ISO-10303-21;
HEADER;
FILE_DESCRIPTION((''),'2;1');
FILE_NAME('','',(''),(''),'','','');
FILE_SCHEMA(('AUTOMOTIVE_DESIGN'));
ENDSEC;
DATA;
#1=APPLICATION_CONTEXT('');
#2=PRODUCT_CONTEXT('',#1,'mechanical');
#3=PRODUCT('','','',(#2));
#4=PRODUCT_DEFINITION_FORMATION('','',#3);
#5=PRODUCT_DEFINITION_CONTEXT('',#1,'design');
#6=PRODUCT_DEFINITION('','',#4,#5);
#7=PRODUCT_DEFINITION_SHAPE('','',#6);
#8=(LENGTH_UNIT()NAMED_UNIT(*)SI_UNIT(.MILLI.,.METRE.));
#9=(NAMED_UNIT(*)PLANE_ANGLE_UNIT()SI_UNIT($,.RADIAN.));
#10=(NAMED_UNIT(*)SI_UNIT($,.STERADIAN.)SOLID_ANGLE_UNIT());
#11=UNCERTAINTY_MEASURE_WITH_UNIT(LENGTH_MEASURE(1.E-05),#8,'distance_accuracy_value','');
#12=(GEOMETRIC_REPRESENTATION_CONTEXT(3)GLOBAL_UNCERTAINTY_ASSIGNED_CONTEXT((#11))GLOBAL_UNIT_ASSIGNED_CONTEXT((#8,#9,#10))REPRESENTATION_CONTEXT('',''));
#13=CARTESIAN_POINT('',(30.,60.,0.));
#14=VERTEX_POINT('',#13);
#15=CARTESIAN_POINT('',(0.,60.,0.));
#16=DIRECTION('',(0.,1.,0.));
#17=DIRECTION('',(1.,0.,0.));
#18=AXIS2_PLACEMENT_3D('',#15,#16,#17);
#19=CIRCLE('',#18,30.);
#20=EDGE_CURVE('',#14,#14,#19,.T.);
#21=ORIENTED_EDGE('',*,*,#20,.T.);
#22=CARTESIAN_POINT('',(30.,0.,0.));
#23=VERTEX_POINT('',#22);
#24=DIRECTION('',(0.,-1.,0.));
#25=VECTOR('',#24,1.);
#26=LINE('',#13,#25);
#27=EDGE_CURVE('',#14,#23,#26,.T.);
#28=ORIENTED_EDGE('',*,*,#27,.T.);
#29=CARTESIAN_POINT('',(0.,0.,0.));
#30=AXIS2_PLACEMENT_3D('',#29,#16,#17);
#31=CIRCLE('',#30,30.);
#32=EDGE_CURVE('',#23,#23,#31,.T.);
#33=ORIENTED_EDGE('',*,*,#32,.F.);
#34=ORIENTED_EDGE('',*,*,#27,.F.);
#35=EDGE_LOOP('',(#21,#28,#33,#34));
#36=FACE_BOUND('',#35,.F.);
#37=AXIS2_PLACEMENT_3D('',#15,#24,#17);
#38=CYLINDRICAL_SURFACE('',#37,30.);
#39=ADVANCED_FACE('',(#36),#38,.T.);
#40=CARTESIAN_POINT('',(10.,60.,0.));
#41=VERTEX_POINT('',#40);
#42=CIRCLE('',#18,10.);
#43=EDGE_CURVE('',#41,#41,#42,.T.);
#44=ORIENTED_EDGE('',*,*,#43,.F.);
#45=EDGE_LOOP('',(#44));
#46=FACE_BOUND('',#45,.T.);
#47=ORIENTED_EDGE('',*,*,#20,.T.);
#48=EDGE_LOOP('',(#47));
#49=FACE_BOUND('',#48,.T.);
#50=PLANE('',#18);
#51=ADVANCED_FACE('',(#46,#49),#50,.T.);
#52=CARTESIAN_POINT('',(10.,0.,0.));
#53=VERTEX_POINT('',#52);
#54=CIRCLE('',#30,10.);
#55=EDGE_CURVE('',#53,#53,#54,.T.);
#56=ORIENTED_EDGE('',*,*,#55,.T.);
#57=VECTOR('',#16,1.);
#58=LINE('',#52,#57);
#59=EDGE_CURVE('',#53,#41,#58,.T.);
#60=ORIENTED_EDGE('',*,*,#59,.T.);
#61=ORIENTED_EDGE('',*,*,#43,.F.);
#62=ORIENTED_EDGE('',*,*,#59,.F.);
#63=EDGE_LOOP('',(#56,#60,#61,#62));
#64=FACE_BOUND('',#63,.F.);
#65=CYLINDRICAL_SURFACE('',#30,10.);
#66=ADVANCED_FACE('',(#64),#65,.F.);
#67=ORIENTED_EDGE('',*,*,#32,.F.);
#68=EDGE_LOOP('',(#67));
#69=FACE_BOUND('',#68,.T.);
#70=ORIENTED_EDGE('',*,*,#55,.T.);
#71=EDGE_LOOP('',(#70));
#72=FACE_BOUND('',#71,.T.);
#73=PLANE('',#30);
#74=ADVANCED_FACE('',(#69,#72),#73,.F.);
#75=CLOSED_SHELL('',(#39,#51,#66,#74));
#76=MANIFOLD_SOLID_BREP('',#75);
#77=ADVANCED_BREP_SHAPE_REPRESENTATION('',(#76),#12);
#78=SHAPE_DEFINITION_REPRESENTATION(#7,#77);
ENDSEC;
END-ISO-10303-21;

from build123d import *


with BuildPart() as part:
    # Эскиз1 → Повернуть1 (revolve)
    with BuildSketch(Plane.XY):
        Polygon((10, 0), (10, 60), (23.414569556, 60), (30, 60), (30, 0), (23.414569556, 0), align=None)
    revolve(axis=Axis((0, -14.792925727, 0), (0, 1, 0)))


solid = part.part
